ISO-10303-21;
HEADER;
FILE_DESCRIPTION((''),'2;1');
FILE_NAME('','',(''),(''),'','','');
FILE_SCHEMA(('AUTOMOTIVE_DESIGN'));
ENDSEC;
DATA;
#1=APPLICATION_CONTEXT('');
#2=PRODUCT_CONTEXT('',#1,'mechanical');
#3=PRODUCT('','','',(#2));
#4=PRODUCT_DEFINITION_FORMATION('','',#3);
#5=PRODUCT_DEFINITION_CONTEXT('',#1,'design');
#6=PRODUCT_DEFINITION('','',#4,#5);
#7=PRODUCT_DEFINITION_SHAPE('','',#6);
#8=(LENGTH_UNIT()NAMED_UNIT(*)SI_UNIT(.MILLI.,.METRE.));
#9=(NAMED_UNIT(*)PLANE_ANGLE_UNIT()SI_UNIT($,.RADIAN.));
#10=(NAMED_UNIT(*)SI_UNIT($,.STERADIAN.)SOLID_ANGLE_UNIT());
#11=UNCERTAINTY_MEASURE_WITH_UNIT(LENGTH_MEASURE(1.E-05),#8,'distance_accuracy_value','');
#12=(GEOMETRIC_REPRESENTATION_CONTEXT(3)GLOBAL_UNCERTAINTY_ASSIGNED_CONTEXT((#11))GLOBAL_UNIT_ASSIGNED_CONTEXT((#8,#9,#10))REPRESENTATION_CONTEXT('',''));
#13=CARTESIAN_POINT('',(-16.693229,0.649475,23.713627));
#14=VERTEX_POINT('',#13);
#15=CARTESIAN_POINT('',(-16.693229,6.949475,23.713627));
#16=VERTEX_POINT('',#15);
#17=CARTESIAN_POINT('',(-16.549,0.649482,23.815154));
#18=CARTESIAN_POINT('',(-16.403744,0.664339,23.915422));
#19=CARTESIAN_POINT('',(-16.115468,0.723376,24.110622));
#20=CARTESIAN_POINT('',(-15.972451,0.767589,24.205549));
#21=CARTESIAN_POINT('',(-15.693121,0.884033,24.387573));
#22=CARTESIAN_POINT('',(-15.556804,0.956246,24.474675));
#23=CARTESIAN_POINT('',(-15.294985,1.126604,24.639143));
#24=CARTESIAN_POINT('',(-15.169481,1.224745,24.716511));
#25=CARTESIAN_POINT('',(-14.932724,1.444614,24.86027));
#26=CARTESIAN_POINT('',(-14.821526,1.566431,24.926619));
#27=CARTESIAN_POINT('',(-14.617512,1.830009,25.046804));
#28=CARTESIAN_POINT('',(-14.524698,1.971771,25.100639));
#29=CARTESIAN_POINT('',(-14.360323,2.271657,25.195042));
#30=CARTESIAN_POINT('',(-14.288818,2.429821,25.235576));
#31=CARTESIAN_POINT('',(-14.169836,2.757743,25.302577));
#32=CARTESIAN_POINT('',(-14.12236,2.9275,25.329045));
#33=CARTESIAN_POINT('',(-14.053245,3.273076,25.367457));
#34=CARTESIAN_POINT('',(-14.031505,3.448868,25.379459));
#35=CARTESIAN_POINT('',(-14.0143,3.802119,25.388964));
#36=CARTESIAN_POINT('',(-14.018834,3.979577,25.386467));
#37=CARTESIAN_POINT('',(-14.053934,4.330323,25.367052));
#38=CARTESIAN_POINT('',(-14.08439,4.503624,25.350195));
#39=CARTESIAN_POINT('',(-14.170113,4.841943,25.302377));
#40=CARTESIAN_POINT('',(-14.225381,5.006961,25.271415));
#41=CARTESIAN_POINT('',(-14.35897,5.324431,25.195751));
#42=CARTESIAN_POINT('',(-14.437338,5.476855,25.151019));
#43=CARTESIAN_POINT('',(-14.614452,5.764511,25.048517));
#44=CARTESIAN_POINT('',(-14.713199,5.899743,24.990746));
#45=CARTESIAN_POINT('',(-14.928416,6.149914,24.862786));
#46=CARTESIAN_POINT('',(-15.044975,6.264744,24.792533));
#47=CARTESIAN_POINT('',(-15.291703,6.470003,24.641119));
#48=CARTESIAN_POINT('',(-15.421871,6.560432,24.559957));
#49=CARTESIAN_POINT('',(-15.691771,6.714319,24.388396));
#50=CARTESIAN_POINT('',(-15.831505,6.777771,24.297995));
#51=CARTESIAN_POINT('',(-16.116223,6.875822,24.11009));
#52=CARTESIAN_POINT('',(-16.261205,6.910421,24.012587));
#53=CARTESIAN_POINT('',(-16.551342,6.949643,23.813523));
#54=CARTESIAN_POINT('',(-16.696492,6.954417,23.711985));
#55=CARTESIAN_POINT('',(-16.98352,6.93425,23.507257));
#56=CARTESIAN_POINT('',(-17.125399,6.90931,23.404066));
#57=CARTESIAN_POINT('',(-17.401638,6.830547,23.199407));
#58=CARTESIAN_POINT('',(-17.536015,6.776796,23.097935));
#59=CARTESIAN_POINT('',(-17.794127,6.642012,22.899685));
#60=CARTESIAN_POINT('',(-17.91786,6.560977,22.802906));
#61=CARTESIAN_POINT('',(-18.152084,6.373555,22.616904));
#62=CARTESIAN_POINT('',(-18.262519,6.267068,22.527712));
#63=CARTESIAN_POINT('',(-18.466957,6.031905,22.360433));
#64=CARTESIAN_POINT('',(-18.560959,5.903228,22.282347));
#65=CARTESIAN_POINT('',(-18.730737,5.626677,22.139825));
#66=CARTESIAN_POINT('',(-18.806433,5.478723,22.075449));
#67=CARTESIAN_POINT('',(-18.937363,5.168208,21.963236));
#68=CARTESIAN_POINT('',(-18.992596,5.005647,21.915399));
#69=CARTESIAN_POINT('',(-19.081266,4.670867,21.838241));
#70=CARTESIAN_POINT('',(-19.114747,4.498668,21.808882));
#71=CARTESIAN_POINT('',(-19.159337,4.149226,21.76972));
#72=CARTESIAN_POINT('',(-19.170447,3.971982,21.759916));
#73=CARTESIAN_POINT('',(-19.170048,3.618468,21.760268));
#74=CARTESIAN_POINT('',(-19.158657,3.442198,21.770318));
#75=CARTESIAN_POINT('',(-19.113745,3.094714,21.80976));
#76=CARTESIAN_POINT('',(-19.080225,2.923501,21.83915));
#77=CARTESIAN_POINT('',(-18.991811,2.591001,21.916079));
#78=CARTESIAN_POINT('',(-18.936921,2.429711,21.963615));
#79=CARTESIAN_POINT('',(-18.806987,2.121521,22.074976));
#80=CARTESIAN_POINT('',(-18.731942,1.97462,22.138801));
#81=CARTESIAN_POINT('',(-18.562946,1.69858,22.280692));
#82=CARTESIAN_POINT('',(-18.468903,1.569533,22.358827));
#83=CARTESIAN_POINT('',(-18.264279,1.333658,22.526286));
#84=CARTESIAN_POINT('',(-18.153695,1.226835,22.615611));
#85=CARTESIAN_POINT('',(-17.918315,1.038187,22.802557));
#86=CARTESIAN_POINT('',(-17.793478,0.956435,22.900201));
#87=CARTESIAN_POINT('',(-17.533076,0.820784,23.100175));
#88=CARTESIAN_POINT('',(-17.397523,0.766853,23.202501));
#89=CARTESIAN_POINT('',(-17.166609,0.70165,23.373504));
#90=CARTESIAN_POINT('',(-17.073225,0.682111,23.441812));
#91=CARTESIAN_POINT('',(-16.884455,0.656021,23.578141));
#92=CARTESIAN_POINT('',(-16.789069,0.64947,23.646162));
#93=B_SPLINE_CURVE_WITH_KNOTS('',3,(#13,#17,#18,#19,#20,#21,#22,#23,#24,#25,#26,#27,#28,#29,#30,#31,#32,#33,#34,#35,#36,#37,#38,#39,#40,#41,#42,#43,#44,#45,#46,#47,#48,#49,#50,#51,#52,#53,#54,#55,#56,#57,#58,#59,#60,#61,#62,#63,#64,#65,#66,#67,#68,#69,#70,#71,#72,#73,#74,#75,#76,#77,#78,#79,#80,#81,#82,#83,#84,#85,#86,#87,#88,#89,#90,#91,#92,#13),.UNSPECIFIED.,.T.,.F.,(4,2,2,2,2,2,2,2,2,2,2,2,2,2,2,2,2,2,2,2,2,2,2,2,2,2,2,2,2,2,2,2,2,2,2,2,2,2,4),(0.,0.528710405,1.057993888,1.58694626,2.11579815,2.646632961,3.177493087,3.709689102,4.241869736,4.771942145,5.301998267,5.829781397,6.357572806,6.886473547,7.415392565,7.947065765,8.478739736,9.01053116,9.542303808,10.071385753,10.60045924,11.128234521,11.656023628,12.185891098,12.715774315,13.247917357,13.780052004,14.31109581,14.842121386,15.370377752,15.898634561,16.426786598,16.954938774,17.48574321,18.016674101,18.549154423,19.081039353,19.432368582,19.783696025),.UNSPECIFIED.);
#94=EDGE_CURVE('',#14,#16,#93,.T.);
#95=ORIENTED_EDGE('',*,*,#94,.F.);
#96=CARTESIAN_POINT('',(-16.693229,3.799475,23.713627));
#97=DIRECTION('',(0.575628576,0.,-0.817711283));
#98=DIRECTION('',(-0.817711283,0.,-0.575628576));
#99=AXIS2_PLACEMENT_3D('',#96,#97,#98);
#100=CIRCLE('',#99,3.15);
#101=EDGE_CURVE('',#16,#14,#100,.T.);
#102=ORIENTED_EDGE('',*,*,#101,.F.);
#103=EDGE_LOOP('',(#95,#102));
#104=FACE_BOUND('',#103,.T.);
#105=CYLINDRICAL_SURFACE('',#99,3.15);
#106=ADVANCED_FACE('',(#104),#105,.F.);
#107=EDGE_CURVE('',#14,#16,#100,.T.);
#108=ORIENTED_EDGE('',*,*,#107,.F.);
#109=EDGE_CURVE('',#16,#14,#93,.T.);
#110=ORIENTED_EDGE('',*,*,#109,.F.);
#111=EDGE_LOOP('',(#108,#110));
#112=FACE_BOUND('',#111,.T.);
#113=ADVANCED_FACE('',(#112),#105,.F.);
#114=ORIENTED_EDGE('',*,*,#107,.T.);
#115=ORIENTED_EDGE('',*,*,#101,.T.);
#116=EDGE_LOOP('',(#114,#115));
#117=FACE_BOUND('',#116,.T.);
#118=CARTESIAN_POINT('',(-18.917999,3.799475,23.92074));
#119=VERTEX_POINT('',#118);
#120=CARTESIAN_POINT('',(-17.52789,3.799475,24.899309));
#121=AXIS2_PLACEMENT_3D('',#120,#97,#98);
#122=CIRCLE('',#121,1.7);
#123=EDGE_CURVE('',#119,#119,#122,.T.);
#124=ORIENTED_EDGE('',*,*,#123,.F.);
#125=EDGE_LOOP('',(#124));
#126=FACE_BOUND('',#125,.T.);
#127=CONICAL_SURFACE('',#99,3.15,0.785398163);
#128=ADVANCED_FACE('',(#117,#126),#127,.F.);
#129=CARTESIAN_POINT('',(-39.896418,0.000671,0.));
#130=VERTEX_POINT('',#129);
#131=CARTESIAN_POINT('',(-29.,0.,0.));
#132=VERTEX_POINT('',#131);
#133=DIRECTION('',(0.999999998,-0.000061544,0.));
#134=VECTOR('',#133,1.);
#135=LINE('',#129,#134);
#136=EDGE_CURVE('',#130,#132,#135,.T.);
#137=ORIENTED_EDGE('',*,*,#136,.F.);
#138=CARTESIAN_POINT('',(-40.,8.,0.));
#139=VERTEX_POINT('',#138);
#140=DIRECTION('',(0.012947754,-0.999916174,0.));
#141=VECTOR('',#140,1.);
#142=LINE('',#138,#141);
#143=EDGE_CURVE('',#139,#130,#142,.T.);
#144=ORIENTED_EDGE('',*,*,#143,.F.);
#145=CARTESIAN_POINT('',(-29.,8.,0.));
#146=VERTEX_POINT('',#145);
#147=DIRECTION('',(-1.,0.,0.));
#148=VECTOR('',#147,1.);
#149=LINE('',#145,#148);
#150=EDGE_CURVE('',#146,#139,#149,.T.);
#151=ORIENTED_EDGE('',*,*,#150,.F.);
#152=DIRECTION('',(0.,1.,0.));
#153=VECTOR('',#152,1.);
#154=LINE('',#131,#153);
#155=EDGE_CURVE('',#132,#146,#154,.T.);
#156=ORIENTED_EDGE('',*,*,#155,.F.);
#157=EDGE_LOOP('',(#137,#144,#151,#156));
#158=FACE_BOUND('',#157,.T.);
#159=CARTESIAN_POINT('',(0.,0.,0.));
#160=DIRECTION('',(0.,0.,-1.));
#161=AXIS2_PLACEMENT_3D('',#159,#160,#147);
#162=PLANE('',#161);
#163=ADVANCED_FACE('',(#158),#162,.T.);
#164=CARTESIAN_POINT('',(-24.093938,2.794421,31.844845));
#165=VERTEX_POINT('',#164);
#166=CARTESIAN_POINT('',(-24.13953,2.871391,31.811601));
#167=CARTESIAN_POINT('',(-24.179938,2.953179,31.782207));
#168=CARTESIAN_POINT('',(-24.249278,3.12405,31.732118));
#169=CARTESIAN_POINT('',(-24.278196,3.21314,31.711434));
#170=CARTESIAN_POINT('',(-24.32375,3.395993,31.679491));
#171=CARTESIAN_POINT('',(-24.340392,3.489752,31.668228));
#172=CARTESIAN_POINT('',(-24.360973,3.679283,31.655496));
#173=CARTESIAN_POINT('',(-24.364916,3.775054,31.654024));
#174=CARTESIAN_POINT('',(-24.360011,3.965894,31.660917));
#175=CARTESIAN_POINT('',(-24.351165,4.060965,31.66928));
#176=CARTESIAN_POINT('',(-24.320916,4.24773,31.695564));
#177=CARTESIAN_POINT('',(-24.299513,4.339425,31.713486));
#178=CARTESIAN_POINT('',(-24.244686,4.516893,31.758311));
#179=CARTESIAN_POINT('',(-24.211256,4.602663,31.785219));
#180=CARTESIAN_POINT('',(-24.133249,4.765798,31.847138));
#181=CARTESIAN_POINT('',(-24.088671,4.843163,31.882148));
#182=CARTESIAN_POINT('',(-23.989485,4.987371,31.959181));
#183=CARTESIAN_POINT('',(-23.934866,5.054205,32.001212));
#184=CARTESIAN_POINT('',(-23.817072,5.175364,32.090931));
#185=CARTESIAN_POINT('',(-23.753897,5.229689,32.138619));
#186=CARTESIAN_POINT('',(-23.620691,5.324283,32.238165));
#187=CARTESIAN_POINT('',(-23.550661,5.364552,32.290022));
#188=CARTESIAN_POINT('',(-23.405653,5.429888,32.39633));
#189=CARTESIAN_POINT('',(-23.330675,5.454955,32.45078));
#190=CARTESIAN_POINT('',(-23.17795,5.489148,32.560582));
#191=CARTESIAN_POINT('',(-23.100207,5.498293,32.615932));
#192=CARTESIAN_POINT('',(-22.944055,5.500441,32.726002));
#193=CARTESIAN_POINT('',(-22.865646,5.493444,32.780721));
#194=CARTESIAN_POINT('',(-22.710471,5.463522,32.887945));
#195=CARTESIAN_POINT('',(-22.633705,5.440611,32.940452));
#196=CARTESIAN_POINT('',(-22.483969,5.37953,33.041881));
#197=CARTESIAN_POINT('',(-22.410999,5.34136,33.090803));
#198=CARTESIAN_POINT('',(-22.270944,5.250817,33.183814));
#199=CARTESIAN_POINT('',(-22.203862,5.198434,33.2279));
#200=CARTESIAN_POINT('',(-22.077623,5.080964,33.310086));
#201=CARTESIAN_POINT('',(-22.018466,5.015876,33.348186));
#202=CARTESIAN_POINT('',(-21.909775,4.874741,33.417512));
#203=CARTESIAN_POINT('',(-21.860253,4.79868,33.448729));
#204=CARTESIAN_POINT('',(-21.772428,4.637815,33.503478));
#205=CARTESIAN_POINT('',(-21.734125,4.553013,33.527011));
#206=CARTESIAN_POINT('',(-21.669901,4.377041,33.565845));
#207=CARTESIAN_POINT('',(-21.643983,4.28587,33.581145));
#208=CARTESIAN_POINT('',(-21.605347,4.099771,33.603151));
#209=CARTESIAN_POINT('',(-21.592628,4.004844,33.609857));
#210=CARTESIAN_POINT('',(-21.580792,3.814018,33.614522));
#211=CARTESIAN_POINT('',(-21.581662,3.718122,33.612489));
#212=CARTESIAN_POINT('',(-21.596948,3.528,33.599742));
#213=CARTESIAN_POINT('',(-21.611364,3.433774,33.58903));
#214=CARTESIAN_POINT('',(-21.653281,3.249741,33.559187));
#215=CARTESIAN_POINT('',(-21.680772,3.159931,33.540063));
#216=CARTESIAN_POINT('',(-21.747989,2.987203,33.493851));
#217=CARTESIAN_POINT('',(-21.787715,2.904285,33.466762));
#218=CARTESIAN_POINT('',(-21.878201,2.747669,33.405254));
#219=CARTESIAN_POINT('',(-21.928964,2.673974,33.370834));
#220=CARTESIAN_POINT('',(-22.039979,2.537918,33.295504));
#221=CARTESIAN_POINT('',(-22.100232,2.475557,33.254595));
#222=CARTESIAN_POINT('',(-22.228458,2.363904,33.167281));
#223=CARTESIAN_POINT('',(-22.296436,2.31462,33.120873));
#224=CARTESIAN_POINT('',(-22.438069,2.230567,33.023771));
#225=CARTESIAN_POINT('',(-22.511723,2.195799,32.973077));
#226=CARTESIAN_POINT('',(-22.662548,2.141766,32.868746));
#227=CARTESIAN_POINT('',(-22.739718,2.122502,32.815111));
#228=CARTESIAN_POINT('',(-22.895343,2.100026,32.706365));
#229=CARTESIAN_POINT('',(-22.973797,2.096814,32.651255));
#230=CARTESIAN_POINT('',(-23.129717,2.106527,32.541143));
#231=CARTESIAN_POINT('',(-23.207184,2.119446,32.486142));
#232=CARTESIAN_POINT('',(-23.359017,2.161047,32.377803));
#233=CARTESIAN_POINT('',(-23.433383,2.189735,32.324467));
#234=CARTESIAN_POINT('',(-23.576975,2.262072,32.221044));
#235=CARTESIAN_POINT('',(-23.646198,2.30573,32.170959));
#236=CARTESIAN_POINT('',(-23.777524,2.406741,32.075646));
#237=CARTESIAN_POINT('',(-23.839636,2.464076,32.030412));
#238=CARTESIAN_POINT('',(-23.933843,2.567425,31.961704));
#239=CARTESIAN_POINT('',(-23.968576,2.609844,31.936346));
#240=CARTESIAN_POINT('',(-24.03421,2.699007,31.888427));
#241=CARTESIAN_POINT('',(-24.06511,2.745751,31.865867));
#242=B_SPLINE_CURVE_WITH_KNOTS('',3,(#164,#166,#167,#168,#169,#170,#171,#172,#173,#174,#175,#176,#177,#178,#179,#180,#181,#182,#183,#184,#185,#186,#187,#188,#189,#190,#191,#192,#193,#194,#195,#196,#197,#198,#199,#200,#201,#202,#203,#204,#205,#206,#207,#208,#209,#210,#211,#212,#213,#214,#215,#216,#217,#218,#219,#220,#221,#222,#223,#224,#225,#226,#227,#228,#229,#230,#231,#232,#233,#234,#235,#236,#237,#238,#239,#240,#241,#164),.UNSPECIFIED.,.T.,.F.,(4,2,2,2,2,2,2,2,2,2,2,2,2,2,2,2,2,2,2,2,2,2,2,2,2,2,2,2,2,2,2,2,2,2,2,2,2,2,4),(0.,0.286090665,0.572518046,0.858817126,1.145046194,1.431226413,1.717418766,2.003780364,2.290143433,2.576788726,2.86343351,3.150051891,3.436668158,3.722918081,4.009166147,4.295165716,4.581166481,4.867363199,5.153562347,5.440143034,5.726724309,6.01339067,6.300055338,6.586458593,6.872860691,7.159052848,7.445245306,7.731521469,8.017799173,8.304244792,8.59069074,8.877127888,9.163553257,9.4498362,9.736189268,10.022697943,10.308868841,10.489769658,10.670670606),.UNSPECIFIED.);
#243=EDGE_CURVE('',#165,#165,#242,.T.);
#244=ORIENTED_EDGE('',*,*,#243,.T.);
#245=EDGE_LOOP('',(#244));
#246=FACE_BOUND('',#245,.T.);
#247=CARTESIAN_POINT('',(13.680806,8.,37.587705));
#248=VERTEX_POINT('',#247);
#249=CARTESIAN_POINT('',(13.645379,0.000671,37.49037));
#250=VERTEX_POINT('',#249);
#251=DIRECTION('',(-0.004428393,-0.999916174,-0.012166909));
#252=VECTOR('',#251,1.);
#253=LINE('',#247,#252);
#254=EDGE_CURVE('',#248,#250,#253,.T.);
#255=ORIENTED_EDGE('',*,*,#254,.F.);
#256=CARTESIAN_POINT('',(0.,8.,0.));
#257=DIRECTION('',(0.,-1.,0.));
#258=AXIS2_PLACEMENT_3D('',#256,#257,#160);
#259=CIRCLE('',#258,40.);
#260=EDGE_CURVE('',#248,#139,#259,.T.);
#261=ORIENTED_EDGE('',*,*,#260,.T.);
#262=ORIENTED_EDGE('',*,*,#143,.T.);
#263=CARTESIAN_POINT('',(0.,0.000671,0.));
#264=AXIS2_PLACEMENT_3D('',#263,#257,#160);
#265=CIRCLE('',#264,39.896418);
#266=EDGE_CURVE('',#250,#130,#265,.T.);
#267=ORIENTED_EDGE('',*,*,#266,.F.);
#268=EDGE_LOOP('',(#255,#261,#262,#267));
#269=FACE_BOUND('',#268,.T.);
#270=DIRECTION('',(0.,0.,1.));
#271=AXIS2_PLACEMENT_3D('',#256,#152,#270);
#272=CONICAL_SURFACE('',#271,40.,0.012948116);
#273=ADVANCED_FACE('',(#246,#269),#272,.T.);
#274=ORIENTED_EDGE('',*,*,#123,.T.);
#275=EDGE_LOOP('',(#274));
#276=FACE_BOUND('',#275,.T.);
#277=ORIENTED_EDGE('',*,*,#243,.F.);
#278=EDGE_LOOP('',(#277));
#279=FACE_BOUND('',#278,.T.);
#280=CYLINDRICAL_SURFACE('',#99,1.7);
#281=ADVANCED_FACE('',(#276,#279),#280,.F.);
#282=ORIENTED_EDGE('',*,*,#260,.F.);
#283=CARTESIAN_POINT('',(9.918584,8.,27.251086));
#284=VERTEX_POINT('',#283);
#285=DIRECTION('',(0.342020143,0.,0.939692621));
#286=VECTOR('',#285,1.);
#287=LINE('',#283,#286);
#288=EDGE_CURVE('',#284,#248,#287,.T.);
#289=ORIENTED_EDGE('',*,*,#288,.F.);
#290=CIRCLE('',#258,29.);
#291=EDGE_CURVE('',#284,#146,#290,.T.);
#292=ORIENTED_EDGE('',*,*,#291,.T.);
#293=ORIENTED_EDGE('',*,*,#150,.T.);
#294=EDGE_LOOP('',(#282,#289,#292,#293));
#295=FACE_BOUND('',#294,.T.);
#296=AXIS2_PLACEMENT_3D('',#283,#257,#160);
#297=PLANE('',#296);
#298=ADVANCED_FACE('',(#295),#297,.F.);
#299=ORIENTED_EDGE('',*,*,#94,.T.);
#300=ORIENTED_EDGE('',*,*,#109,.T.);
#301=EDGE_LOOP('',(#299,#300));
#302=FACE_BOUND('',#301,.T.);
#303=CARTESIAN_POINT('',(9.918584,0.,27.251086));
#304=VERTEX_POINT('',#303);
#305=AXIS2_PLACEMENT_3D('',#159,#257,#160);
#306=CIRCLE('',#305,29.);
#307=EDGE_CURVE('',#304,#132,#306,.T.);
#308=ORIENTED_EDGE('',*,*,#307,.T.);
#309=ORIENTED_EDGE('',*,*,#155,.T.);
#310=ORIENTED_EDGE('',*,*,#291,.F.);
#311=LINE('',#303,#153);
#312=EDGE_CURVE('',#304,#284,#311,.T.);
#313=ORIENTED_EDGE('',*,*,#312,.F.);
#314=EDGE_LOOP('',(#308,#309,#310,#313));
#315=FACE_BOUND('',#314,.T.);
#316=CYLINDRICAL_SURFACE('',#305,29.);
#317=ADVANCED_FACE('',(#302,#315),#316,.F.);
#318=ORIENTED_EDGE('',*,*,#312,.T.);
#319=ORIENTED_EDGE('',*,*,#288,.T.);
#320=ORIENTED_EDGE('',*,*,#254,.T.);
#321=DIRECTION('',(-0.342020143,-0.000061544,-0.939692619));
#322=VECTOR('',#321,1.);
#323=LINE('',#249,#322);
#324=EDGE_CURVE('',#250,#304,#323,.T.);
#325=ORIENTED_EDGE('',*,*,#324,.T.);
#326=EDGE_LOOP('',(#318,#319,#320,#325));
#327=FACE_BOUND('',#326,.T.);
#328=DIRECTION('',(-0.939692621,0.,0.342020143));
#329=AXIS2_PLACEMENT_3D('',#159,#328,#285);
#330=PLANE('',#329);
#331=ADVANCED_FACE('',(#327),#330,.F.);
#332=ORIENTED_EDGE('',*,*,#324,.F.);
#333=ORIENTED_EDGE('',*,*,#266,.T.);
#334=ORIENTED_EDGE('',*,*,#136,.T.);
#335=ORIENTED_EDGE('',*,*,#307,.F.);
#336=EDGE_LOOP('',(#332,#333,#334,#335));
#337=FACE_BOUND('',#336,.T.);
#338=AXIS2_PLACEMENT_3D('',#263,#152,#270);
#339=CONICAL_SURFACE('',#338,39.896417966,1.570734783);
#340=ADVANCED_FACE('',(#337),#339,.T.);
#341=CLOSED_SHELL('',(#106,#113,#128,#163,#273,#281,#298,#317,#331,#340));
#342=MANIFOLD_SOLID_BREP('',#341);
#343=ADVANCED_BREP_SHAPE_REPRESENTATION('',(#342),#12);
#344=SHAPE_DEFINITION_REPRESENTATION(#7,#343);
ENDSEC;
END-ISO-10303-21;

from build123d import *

# Parameters (mm, degrees)
REVOLVE1_ANGLE                                      = 110
CSK_FOR_M3_COUNTERSUNK_FLAT_HEAD_SCREW1_D           = 3.4
CSK_FOR_M3_COUNTERSUNK_FLAT_HEAD_SCREW1_CSINK_D     = 6.3
CSK_FOR_M3_COUNTERSUNK_FLAT_HEAD_SCREW1_CSINK_ANGLE = 90


with BuildPart() as part:
    # Sketch1 → Revolve1 (revolve)
    with BuildSketch(Plane.XY):
        Polygon((-29, 0), (-29, 8), (-40, 8), (-39.896417966, 0.000670605), align=None)
    revolve(axis=Axis((0, 0, 0), (0, 1, 0)), revolution_arc=REVOLVE1_ANGLE)

    # CSK for M3 Countersunk Flat Head Screw1 (through all)
    with Locations(Plane(origin=(-16.693228701, 3.799474552, 23.713627212), x_dir=(-0.817711283, 0, -0.575628576), z_dir=(0.575628576, 0, -0.817711283))):
        with Locations((0, 0)):
            CounterSinkHole(CSK_FOR_M3_COUNTERSUNK_FLAT_HEAD_SCREW1_D / 2, CSK_FOR_M3_COUNTERSUNK_FLAT_HEAD_SCREW1_CSINK_D / 2, counter_sink_angle=CSK_FOR_M3_COUNTERSUNK_FLAT_HEAD_SCREW1_CSINK_ANGLE)


solid = part.part
